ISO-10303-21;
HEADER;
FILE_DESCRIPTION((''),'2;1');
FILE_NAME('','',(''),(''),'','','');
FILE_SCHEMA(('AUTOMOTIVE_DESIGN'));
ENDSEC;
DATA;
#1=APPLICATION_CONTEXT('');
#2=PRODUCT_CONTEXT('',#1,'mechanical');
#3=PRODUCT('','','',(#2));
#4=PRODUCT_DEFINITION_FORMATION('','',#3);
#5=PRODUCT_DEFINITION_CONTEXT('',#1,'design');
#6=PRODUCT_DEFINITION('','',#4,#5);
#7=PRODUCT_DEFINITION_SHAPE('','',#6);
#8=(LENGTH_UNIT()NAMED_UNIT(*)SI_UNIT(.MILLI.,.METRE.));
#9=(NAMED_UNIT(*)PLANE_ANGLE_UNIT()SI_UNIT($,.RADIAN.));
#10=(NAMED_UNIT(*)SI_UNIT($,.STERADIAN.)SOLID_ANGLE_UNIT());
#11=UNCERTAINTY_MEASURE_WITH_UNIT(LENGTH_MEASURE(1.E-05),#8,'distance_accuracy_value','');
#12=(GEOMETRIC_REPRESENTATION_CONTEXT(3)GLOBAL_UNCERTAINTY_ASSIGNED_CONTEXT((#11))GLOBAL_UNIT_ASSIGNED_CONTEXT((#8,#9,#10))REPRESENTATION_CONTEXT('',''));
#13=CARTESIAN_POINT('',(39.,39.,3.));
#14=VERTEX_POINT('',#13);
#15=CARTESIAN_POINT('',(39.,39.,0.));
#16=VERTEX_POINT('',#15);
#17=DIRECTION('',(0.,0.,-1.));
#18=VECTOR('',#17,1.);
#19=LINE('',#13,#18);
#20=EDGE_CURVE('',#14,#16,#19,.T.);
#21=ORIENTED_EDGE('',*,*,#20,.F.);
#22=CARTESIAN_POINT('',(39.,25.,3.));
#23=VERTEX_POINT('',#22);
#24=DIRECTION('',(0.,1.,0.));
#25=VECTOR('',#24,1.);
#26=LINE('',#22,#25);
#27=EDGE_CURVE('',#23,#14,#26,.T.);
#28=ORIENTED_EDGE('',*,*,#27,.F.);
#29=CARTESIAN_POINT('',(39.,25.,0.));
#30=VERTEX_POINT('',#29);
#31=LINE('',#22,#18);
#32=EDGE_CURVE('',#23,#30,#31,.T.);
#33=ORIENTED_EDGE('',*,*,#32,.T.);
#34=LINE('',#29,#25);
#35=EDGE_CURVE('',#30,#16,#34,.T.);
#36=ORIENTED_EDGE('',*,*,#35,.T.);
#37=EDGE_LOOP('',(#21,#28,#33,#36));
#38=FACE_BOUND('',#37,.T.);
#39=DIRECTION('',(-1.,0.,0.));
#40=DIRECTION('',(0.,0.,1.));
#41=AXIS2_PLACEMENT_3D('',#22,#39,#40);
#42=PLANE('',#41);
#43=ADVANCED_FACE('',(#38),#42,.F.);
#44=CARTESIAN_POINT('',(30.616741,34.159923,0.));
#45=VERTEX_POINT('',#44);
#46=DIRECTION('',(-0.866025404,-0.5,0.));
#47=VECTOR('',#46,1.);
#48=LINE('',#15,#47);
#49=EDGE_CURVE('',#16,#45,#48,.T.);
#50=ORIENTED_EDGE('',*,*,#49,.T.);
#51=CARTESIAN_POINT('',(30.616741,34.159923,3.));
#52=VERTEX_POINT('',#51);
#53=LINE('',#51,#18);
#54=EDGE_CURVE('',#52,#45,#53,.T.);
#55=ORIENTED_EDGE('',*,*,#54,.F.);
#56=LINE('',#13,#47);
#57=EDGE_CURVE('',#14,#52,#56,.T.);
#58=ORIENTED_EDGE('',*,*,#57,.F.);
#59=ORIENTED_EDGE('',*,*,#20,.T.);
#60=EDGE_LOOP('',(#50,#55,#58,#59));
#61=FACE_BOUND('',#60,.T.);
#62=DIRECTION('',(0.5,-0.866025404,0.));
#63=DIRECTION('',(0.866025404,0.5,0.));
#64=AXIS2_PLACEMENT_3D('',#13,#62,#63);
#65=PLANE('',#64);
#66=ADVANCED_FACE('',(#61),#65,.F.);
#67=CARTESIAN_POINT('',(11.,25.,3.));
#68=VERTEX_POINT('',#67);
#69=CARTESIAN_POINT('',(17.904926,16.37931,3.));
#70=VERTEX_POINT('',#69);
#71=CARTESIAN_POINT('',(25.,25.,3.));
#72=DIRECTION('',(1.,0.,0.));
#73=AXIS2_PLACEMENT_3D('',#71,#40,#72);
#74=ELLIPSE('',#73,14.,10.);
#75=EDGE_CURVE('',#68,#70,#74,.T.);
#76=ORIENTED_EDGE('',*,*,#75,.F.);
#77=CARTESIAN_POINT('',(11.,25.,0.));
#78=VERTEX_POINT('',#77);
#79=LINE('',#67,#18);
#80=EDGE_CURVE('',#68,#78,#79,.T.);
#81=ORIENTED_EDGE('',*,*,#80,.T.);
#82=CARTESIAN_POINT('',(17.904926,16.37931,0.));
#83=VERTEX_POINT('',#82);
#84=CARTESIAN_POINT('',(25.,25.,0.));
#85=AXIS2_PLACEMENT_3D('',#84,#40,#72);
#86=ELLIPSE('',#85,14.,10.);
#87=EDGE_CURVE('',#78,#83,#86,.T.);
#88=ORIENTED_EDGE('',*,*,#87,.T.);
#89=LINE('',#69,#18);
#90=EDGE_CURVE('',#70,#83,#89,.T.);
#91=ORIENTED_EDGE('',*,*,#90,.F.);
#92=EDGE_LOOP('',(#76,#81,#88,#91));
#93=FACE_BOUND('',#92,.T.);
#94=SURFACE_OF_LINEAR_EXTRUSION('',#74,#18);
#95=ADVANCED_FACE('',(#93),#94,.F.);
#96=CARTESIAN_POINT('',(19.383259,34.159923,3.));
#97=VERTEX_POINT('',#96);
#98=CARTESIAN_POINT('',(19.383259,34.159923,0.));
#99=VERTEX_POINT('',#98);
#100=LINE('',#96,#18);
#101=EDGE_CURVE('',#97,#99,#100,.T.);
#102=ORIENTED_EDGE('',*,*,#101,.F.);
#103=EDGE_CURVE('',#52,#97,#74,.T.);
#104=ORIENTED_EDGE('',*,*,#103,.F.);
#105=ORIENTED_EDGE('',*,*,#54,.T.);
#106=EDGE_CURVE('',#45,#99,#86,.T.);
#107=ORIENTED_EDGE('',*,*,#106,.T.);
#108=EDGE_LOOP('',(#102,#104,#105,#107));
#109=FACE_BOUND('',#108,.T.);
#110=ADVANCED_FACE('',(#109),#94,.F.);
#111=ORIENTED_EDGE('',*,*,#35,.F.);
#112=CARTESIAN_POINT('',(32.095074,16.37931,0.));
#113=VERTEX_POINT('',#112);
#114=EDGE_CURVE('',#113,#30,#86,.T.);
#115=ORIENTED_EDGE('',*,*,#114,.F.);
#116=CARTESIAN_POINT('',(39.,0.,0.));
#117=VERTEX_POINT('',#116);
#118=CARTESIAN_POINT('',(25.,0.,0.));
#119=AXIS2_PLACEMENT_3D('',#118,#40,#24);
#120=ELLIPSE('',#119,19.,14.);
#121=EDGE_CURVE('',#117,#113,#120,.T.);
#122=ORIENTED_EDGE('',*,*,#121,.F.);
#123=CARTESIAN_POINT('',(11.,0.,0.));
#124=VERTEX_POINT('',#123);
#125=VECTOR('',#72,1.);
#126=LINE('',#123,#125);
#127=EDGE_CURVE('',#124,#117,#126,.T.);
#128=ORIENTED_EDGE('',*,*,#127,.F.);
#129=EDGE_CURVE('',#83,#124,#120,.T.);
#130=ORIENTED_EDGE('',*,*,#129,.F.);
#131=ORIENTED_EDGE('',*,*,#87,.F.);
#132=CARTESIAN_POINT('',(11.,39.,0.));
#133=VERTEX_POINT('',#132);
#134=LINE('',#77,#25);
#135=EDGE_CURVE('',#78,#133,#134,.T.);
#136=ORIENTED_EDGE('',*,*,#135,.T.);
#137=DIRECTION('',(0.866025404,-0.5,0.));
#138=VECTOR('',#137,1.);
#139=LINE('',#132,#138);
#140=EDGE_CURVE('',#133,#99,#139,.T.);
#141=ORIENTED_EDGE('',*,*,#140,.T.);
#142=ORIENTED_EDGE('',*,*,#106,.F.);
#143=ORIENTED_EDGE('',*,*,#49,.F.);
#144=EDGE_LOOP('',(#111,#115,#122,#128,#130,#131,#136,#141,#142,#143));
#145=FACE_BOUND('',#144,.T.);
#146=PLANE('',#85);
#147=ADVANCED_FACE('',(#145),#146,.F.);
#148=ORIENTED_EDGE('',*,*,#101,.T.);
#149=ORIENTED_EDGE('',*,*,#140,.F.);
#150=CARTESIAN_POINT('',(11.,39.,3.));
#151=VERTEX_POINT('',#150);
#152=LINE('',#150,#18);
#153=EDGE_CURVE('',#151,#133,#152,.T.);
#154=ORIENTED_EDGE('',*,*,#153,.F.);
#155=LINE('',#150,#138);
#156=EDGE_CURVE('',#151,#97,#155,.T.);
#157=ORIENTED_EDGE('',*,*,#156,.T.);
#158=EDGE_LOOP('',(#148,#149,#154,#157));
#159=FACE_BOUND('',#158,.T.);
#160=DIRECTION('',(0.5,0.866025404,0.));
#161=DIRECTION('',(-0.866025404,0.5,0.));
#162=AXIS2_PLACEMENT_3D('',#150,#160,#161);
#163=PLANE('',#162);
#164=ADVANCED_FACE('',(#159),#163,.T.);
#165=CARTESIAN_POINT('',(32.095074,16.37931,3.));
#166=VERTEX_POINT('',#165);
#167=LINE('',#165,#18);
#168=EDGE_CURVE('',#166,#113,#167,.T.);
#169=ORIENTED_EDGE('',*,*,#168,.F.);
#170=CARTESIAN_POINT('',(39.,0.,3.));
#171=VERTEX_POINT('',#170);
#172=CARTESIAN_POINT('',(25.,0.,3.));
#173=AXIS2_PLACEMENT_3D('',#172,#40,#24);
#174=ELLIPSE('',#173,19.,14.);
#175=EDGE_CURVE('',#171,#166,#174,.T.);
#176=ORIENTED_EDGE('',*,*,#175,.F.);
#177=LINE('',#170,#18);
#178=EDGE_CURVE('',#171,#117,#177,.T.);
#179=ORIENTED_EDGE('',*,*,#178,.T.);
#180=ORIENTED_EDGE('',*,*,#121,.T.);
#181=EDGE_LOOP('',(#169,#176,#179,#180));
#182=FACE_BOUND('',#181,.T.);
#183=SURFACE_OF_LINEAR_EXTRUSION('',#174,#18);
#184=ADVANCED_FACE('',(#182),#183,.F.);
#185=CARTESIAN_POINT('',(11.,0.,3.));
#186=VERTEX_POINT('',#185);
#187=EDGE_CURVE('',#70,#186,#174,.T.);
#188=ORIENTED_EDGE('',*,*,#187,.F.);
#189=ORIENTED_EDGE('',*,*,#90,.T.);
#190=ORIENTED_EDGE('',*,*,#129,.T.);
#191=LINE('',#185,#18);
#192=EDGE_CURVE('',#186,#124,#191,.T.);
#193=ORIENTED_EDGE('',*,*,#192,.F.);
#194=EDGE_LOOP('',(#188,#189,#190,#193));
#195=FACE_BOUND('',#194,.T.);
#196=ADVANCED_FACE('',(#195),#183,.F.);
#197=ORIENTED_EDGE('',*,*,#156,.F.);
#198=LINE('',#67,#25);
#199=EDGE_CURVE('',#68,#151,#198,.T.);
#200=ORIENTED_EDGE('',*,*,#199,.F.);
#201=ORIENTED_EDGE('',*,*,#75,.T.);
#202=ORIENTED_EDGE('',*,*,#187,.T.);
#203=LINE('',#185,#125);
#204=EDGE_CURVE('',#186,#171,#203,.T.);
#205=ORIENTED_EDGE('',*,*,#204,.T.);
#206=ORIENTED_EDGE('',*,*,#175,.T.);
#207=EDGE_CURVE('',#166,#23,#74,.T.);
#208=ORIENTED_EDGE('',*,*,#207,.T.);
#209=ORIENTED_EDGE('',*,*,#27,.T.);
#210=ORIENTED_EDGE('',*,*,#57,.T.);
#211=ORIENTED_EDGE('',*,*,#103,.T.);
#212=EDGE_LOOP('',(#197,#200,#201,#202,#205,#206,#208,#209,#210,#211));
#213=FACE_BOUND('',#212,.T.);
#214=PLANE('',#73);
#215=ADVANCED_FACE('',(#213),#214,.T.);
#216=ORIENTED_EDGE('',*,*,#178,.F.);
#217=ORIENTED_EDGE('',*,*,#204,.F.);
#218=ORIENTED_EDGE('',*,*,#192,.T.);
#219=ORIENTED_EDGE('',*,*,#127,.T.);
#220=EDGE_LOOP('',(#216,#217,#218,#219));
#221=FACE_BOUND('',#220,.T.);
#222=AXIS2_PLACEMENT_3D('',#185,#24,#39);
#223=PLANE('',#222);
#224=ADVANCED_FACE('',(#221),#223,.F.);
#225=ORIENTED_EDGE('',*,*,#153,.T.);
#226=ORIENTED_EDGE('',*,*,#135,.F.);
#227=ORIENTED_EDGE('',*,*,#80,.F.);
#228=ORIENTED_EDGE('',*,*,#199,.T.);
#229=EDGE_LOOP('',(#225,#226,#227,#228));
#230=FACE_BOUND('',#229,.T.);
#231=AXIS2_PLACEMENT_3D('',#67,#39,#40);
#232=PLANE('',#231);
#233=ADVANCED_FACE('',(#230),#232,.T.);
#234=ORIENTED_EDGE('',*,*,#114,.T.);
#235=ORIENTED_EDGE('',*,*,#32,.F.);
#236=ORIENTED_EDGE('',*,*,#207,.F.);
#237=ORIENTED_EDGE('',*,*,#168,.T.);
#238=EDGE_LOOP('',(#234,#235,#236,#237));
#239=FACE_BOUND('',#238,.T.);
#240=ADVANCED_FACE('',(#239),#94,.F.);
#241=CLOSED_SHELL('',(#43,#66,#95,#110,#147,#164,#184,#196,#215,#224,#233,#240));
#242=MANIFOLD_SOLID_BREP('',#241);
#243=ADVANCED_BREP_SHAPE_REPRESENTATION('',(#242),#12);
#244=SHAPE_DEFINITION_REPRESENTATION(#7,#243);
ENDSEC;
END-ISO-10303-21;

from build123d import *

# Parameters (mm, degrees)
SALIENTE_EXTRUIR2_DEPTH = 3


with BuildPart() as part:
    # Croquis1 → Saliente-Extruir2 (new body)
    with BuildSketch(Plane.XY):
        with BuildLine():
            Line((11, 25), (11, 39))
            Line((11, 39), (19.383258886, 34.159923226))
            add(Edge.make_bspline(
                [(30.616741114, 34.159923226), (25, 35.917122069), (19.383258886, 34.159923226)],
                knots=[4.299567044, 4.299567044, 4.299567044, 5.125210917, 5.125210917, 5.125210917], degree=2, weights=[1, 0.915992323, 1]))
            Line((30.616741114, 34.159923226), (39, 39))
            Line((39, 39), (39, 25))
            add(Edge.make_bspline(
                [(32.095073738, 16.379310345), (39, 19.278775383), (39, 25)],
                knots=[2.102254565, 2.102254565, 2.102254565, 3.141592654, 3.141592654, 3.141592654], degree=2, weights=[1, 0.867983577, 1]))
            add(Edge.make_bspline(
                [(39, 0), (39, 10.870326773), (32.095073738, 16.379310345)],
                knots=[4.71238898, 4.71238898, 4.71238898, 5.751727069, 5.751727069, 5.751727069], degree=2, weights=[1, 0.867983577, 1]))
            Line((39, 0), (11, 0))
            add(Edge.make_bspline(
                [(17.904926262, 16.379310345), (11, 10.870326773), (11, 0)],
                knots=[0.531458238, 0.531458238, 0.531458238, 1.570796327, 1.570796327, 1.570796327], degree=2, weights=[1, 0.867983577, 1]))
            add(Edge.make_bspline(
                [(11, 25), (11, 19.278775383), (17.904926262, 16.379310345)],
                knots=[0, 0, 0, 1.039338089, 1.039338089, 1.039338089], degree=2, weights=[1, 0.867983577, 1]))
        make_face()
    extrude(amount=SALIENTE_EXTRUIR2_DEPTH)


solid = part.part
